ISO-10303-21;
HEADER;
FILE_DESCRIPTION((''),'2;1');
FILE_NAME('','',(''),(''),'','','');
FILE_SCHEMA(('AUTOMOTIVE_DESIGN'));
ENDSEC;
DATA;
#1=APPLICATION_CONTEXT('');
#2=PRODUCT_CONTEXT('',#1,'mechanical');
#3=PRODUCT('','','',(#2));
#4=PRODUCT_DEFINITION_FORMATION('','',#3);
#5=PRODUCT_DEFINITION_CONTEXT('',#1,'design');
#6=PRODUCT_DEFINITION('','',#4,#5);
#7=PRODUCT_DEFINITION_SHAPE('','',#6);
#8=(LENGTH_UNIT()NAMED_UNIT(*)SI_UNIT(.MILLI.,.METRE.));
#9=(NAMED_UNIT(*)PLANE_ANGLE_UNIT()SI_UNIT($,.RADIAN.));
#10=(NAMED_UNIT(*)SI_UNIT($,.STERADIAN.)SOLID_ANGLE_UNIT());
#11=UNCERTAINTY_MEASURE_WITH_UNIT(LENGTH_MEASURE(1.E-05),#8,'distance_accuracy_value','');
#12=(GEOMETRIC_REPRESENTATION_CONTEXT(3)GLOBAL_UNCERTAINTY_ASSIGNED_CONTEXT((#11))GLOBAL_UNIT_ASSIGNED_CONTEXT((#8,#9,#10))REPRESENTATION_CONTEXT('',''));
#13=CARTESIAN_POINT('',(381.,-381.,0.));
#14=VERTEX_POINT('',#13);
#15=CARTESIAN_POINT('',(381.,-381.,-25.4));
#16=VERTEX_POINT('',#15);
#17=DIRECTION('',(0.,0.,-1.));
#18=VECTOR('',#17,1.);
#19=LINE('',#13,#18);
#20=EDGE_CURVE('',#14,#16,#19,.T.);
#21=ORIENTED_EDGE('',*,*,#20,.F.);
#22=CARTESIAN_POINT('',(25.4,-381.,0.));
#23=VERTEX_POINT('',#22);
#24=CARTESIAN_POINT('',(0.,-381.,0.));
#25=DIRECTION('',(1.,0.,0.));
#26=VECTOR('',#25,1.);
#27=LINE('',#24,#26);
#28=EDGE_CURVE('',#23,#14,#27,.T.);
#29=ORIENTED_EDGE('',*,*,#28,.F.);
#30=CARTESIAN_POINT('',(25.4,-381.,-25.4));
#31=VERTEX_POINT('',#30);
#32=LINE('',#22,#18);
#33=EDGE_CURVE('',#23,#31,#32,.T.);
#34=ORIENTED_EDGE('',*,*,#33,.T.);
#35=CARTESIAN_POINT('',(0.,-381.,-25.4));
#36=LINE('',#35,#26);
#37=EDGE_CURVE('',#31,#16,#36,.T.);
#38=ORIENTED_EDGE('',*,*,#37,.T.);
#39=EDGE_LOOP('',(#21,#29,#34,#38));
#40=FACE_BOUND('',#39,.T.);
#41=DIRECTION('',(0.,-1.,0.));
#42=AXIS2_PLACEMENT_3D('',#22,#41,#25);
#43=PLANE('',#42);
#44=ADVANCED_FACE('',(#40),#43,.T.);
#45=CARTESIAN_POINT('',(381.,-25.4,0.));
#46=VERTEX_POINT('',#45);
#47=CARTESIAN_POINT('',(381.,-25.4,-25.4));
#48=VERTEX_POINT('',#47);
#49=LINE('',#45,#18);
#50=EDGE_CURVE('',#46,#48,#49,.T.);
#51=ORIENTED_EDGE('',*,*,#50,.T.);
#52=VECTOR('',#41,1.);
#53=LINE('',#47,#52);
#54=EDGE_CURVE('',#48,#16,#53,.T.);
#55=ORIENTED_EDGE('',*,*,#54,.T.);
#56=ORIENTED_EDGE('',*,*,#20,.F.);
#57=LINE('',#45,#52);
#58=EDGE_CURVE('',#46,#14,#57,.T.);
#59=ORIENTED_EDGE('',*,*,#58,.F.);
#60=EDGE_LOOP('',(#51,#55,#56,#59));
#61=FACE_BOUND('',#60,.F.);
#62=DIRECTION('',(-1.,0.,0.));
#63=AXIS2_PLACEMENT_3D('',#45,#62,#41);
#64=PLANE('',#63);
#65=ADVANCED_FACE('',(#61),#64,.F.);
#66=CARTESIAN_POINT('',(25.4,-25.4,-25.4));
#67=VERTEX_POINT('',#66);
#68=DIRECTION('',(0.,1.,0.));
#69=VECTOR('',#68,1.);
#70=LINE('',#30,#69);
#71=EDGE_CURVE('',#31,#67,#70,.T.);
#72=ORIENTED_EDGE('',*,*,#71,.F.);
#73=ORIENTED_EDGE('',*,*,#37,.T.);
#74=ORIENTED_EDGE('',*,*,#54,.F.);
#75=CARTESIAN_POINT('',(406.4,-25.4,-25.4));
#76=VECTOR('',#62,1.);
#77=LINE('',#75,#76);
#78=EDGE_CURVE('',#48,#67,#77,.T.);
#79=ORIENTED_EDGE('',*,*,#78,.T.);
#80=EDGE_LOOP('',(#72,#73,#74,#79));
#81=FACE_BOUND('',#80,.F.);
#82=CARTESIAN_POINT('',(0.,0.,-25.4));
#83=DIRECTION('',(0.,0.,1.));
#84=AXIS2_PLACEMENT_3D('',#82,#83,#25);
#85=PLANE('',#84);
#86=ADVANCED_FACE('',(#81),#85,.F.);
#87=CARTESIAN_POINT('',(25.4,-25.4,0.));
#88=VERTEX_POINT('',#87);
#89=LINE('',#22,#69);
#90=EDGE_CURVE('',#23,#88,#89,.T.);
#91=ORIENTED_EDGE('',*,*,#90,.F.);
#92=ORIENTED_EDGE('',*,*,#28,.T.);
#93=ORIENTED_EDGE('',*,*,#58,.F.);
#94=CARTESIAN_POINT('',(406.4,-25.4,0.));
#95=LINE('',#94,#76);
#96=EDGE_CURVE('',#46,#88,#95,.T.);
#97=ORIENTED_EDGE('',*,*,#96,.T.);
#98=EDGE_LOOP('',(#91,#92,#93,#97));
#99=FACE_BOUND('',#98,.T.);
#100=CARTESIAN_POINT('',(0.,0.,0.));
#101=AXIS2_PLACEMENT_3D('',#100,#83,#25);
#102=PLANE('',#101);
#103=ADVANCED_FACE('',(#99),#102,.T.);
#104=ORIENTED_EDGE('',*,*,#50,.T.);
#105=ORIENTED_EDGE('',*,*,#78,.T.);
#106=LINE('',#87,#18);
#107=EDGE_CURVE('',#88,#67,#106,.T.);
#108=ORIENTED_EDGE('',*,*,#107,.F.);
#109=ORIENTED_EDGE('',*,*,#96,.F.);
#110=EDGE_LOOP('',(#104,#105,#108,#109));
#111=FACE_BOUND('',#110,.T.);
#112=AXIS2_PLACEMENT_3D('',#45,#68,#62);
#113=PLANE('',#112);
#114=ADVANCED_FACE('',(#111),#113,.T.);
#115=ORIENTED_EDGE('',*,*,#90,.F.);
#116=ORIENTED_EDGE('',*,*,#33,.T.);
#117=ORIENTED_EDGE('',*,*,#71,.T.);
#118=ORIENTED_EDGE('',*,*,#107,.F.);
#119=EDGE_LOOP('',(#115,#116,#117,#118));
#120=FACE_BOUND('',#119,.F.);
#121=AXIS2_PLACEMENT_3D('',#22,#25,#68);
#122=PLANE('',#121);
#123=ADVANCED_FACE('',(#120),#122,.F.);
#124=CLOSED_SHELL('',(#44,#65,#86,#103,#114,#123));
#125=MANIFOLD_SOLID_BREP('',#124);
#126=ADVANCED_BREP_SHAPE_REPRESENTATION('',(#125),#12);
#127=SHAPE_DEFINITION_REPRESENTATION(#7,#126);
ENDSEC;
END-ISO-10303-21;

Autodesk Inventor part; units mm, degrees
ref_plane "YZ Plane" through (0, 0, 0) normal (1, 0, 0) x (0, 1, 0)
ref_plane "XZ Plane" through (0, 0, 0) normal (0, 1, 0) x (-1, 0, 0)
ref_plane "XY Plane" through (0, 0, 0) normal (0, 0, 1) x (1, 0, 0)
sketch "Sketch1" plane through (0, 0, 0) normal (0, 0, 1) x (1, 0, 0)
  line L0 (0, 0) -> (812.8, 0) construction
  line L1 (812.8, 0) -> (812.8, -406.4) construction
  line L2 (812.8, -406.4) -> (0, -406.4) construction
  line L3 (0, -406.4) -> (0, 0) construction
  line L4 (0, 0) -> (406.4, 0)
  line L5 (406.4, 0) -> (406.4, -25.4)
  line L6 (406.4, -25.4) -> (0, -25.4)
  line L7 (0, -25.4) -> (0, 0)
  line L8 (406.4, -25.4) -> (381, -25.4)
  line L9 (381, -25.4) -> (381, -406.4)
  line L10 (381, -406.4) -> (406.4, -406.4)
  line L11 (406.4, -406.4) -> (406.4, -25.4)
  line L12 (381, -406.4) -> (0, -406.4)
  line L13 (0, -406.4) -> (0, -381)
  line L14 (0, -381) -> (381, -381)
  line L15 (381, -381) -> (381, -406.4)
  line L16 (0, -381) -> (25.4, -381)
  line L17 (25.4, -381) -> (25.4, -25.4)
  line L18 (25.4, -25.4) -> (0, -25.4)
  line L19 (0, -25.4) -> (0, -381)
  dimension "d1" = 812.8
  dimension "d5" = 406.4
  dimension "d6" = 25.4
  dimension "d7" = 25.4
  dimension "d8" = 381
  dimension "d9" = 381
  dimension "d10" = 25.4
  dimension "d11" = 25.4
extrude "Extrusion1" add sketch "Sketch1" against normal blind 25.4 contours L6 L9 L14 L17
properties part number "JukeBox Bottem Panel" material "Oak, Red"
